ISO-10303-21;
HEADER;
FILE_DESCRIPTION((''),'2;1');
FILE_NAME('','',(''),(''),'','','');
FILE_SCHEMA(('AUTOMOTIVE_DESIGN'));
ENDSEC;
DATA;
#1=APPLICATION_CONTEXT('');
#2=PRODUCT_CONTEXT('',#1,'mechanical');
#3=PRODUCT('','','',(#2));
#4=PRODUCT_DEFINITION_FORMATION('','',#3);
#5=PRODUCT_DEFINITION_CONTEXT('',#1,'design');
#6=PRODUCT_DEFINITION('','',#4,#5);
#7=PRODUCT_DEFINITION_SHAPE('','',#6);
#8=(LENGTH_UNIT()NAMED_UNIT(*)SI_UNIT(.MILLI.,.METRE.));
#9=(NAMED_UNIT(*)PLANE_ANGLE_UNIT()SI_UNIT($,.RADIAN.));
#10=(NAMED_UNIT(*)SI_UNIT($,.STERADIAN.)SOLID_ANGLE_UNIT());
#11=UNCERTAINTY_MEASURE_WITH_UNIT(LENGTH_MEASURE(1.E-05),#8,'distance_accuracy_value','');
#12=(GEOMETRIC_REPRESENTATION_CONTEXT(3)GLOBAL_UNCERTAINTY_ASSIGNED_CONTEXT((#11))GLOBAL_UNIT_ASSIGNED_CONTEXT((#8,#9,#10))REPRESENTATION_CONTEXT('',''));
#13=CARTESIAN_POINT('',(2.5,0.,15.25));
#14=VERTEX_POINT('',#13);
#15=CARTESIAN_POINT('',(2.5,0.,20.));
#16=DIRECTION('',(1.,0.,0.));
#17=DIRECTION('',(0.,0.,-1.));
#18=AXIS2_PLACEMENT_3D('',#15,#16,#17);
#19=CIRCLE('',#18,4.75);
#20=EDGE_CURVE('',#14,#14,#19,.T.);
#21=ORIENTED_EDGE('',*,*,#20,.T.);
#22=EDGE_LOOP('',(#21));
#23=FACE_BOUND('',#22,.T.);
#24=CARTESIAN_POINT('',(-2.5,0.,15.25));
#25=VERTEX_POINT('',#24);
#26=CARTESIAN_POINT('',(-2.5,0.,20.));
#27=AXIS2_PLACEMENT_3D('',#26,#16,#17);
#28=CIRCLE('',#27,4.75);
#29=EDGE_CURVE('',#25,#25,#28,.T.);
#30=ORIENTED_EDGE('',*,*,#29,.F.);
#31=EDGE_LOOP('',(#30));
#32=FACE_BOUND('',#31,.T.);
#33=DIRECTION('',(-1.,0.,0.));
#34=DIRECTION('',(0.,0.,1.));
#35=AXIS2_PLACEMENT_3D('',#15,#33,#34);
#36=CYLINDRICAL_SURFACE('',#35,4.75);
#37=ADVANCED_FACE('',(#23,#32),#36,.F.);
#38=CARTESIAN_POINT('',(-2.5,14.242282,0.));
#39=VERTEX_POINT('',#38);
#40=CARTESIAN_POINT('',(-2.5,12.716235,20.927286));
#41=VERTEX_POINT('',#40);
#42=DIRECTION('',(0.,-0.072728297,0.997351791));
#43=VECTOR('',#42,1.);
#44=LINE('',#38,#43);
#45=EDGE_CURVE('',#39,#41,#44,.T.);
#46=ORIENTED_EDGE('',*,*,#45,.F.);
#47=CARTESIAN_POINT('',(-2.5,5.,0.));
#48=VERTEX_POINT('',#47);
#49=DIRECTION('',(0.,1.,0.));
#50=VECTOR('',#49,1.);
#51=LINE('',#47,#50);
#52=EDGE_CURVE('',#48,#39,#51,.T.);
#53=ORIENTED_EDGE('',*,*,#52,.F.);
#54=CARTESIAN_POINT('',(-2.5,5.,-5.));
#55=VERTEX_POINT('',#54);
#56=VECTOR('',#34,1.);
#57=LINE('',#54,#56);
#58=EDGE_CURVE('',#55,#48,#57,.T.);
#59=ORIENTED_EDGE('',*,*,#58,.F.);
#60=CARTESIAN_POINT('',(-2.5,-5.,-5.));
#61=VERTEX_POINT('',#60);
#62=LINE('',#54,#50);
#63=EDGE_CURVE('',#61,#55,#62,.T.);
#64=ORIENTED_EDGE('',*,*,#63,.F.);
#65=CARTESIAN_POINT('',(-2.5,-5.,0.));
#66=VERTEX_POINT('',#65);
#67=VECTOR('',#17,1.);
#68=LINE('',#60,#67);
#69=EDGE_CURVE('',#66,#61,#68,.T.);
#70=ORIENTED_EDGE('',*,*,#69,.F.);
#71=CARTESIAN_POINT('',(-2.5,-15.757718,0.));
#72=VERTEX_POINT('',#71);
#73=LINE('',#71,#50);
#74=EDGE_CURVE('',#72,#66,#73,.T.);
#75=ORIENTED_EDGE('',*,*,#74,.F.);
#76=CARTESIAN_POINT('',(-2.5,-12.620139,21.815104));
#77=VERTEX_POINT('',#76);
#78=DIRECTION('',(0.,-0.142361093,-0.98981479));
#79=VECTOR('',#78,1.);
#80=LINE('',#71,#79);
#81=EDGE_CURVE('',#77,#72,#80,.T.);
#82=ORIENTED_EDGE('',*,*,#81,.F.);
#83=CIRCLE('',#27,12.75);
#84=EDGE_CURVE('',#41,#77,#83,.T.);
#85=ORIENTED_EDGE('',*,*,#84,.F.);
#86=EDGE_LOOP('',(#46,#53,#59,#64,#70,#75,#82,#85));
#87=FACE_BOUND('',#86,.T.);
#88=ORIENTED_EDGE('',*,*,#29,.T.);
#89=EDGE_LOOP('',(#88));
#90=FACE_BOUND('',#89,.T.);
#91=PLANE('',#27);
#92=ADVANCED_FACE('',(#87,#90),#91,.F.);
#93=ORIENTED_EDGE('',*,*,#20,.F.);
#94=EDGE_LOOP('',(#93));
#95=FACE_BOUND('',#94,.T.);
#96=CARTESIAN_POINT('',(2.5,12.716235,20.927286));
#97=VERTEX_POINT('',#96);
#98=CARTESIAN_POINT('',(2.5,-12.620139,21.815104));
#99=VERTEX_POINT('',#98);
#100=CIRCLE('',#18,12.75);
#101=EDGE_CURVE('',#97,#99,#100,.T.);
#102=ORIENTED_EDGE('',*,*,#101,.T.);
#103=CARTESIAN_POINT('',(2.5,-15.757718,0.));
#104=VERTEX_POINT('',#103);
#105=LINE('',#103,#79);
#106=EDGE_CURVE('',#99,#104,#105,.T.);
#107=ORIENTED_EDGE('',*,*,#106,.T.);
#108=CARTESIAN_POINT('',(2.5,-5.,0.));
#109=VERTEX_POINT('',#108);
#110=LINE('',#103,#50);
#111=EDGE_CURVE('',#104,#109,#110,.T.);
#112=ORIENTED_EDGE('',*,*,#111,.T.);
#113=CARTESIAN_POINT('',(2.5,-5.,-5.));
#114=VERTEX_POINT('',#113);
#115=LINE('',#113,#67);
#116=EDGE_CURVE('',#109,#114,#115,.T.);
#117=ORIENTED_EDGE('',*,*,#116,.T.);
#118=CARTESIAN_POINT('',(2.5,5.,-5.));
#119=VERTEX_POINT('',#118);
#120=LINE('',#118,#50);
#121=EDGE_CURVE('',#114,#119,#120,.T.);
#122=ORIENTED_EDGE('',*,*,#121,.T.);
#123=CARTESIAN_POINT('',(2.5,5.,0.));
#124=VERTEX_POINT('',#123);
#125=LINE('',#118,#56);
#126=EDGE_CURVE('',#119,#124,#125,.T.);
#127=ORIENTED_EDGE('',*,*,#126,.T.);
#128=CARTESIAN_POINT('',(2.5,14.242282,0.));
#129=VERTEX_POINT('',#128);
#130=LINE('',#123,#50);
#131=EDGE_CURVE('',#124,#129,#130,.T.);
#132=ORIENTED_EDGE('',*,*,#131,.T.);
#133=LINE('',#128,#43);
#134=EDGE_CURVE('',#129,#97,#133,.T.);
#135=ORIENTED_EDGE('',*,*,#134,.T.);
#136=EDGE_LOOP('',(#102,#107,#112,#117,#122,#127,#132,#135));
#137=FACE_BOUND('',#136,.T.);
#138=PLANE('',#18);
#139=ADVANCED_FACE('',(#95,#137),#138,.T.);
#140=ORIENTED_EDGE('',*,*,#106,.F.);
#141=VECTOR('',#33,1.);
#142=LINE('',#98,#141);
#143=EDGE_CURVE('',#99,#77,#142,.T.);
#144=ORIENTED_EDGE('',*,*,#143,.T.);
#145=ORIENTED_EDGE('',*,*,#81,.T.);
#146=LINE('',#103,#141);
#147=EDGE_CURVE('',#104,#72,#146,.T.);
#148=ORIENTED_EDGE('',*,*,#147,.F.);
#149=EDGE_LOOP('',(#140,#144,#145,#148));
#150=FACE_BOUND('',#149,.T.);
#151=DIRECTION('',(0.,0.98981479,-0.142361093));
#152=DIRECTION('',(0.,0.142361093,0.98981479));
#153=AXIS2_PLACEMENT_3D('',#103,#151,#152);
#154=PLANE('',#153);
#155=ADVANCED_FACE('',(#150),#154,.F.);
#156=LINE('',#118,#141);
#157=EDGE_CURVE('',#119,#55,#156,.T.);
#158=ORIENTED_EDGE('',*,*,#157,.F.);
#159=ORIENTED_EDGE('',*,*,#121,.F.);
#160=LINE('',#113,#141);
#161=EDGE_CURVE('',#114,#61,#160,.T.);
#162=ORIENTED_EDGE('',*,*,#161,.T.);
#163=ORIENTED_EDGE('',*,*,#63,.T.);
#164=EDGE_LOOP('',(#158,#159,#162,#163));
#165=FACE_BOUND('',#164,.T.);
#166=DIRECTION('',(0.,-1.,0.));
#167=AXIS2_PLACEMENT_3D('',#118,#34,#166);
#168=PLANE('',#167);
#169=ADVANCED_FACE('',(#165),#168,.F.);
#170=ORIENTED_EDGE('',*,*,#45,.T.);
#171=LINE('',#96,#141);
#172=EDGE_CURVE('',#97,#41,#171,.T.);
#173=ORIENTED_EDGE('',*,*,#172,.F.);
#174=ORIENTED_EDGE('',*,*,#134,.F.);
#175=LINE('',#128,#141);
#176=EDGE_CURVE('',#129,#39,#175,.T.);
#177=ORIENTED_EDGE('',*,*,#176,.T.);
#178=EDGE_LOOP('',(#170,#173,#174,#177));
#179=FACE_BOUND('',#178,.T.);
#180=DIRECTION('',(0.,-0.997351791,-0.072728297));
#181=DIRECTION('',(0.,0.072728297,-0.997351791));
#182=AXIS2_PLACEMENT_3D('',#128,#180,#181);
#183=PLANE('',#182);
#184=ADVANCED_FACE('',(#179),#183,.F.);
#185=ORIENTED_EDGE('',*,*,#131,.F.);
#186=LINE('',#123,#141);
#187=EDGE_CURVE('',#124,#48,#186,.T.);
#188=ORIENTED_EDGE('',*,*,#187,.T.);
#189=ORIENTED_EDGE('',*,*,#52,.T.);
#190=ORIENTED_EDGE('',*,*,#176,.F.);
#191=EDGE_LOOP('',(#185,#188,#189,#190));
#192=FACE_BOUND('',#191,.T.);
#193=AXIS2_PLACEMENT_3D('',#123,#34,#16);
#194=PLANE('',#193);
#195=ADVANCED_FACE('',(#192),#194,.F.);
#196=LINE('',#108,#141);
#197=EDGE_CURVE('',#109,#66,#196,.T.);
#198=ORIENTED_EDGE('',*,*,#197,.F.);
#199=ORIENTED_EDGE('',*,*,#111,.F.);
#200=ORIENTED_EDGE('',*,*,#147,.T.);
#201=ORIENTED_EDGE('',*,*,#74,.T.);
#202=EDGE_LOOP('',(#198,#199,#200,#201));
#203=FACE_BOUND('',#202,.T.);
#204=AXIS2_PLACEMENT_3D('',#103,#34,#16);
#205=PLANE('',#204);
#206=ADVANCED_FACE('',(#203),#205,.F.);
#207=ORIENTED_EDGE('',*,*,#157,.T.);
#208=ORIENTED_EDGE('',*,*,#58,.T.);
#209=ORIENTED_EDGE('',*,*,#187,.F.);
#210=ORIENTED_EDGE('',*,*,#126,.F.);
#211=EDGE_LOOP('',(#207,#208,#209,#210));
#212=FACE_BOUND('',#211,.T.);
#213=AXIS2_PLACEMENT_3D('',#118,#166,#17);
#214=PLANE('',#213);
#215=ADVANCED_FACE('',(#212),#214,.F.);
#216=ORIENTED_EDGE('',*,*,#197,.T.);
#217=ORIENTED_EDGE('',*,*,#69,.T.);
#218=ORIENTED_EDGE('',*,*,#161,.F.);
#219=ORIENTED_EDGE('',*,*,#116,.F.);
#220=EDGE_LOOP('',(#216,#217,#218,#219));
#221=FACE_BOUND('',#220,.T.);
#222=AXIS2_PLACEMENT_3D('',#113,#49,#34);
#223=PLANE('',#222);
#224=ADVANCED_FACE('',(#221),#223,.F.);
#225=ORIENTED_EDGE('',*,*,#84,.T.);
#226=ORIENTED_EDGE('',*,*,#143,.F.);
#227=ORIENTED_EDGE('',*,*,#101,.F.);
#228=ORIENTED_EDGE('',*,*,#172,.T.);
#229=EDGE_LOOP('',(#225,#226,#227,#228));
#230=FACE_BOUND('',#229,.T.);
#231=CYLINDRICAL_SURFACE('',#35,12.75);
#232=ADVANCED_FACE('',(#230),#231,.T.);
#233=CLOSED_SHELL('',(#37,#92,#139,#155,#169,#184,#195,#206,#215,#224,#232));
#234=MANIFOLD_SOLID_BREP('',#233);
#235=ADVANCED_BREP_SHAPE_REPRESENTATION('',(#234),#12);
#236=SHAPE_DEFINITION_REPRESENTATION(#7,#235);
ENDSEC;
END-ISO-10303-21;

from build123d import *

# Parameters (mm, degrees)
SKETCH1_R           = 4.75
BOSS_EXTRUDE1_DEPTH = 2.5


with BuildPart() as part:
    # Sketch1 → Boss-Extrude1 (new, symmetric)
    with BuildSketch(Plane.YZ):
        with BuildLine():
            Line((-15.757717512, 0), (-5, 0))
            Line((-5, 0), (-5, -5))
            Line((-5, -5), (5, -5))
            Line((5, -5), (5, 0))
            Line((5, 0), (14.242282488, 0))
            Line((14.242282488, 0), (12.716235334, 20.927285791))
            ThreePointArc((12.716235334, 20.927285791), (0.446501859, 32.742179409), (-12.620138577, 21.815103933))
            Line((-12.620138577, 21.815103933), (-15.757717512, 0))
        make_face()
        with Locations(Location((0, 20, 0), (0, 0, 270))):
            Circle(SKETCH1_R, mode=Mode.SUBTRACT)
    extrude(amount=BOSS_EXTRUDE1_DEPTH, both=True)


solid = part.part
